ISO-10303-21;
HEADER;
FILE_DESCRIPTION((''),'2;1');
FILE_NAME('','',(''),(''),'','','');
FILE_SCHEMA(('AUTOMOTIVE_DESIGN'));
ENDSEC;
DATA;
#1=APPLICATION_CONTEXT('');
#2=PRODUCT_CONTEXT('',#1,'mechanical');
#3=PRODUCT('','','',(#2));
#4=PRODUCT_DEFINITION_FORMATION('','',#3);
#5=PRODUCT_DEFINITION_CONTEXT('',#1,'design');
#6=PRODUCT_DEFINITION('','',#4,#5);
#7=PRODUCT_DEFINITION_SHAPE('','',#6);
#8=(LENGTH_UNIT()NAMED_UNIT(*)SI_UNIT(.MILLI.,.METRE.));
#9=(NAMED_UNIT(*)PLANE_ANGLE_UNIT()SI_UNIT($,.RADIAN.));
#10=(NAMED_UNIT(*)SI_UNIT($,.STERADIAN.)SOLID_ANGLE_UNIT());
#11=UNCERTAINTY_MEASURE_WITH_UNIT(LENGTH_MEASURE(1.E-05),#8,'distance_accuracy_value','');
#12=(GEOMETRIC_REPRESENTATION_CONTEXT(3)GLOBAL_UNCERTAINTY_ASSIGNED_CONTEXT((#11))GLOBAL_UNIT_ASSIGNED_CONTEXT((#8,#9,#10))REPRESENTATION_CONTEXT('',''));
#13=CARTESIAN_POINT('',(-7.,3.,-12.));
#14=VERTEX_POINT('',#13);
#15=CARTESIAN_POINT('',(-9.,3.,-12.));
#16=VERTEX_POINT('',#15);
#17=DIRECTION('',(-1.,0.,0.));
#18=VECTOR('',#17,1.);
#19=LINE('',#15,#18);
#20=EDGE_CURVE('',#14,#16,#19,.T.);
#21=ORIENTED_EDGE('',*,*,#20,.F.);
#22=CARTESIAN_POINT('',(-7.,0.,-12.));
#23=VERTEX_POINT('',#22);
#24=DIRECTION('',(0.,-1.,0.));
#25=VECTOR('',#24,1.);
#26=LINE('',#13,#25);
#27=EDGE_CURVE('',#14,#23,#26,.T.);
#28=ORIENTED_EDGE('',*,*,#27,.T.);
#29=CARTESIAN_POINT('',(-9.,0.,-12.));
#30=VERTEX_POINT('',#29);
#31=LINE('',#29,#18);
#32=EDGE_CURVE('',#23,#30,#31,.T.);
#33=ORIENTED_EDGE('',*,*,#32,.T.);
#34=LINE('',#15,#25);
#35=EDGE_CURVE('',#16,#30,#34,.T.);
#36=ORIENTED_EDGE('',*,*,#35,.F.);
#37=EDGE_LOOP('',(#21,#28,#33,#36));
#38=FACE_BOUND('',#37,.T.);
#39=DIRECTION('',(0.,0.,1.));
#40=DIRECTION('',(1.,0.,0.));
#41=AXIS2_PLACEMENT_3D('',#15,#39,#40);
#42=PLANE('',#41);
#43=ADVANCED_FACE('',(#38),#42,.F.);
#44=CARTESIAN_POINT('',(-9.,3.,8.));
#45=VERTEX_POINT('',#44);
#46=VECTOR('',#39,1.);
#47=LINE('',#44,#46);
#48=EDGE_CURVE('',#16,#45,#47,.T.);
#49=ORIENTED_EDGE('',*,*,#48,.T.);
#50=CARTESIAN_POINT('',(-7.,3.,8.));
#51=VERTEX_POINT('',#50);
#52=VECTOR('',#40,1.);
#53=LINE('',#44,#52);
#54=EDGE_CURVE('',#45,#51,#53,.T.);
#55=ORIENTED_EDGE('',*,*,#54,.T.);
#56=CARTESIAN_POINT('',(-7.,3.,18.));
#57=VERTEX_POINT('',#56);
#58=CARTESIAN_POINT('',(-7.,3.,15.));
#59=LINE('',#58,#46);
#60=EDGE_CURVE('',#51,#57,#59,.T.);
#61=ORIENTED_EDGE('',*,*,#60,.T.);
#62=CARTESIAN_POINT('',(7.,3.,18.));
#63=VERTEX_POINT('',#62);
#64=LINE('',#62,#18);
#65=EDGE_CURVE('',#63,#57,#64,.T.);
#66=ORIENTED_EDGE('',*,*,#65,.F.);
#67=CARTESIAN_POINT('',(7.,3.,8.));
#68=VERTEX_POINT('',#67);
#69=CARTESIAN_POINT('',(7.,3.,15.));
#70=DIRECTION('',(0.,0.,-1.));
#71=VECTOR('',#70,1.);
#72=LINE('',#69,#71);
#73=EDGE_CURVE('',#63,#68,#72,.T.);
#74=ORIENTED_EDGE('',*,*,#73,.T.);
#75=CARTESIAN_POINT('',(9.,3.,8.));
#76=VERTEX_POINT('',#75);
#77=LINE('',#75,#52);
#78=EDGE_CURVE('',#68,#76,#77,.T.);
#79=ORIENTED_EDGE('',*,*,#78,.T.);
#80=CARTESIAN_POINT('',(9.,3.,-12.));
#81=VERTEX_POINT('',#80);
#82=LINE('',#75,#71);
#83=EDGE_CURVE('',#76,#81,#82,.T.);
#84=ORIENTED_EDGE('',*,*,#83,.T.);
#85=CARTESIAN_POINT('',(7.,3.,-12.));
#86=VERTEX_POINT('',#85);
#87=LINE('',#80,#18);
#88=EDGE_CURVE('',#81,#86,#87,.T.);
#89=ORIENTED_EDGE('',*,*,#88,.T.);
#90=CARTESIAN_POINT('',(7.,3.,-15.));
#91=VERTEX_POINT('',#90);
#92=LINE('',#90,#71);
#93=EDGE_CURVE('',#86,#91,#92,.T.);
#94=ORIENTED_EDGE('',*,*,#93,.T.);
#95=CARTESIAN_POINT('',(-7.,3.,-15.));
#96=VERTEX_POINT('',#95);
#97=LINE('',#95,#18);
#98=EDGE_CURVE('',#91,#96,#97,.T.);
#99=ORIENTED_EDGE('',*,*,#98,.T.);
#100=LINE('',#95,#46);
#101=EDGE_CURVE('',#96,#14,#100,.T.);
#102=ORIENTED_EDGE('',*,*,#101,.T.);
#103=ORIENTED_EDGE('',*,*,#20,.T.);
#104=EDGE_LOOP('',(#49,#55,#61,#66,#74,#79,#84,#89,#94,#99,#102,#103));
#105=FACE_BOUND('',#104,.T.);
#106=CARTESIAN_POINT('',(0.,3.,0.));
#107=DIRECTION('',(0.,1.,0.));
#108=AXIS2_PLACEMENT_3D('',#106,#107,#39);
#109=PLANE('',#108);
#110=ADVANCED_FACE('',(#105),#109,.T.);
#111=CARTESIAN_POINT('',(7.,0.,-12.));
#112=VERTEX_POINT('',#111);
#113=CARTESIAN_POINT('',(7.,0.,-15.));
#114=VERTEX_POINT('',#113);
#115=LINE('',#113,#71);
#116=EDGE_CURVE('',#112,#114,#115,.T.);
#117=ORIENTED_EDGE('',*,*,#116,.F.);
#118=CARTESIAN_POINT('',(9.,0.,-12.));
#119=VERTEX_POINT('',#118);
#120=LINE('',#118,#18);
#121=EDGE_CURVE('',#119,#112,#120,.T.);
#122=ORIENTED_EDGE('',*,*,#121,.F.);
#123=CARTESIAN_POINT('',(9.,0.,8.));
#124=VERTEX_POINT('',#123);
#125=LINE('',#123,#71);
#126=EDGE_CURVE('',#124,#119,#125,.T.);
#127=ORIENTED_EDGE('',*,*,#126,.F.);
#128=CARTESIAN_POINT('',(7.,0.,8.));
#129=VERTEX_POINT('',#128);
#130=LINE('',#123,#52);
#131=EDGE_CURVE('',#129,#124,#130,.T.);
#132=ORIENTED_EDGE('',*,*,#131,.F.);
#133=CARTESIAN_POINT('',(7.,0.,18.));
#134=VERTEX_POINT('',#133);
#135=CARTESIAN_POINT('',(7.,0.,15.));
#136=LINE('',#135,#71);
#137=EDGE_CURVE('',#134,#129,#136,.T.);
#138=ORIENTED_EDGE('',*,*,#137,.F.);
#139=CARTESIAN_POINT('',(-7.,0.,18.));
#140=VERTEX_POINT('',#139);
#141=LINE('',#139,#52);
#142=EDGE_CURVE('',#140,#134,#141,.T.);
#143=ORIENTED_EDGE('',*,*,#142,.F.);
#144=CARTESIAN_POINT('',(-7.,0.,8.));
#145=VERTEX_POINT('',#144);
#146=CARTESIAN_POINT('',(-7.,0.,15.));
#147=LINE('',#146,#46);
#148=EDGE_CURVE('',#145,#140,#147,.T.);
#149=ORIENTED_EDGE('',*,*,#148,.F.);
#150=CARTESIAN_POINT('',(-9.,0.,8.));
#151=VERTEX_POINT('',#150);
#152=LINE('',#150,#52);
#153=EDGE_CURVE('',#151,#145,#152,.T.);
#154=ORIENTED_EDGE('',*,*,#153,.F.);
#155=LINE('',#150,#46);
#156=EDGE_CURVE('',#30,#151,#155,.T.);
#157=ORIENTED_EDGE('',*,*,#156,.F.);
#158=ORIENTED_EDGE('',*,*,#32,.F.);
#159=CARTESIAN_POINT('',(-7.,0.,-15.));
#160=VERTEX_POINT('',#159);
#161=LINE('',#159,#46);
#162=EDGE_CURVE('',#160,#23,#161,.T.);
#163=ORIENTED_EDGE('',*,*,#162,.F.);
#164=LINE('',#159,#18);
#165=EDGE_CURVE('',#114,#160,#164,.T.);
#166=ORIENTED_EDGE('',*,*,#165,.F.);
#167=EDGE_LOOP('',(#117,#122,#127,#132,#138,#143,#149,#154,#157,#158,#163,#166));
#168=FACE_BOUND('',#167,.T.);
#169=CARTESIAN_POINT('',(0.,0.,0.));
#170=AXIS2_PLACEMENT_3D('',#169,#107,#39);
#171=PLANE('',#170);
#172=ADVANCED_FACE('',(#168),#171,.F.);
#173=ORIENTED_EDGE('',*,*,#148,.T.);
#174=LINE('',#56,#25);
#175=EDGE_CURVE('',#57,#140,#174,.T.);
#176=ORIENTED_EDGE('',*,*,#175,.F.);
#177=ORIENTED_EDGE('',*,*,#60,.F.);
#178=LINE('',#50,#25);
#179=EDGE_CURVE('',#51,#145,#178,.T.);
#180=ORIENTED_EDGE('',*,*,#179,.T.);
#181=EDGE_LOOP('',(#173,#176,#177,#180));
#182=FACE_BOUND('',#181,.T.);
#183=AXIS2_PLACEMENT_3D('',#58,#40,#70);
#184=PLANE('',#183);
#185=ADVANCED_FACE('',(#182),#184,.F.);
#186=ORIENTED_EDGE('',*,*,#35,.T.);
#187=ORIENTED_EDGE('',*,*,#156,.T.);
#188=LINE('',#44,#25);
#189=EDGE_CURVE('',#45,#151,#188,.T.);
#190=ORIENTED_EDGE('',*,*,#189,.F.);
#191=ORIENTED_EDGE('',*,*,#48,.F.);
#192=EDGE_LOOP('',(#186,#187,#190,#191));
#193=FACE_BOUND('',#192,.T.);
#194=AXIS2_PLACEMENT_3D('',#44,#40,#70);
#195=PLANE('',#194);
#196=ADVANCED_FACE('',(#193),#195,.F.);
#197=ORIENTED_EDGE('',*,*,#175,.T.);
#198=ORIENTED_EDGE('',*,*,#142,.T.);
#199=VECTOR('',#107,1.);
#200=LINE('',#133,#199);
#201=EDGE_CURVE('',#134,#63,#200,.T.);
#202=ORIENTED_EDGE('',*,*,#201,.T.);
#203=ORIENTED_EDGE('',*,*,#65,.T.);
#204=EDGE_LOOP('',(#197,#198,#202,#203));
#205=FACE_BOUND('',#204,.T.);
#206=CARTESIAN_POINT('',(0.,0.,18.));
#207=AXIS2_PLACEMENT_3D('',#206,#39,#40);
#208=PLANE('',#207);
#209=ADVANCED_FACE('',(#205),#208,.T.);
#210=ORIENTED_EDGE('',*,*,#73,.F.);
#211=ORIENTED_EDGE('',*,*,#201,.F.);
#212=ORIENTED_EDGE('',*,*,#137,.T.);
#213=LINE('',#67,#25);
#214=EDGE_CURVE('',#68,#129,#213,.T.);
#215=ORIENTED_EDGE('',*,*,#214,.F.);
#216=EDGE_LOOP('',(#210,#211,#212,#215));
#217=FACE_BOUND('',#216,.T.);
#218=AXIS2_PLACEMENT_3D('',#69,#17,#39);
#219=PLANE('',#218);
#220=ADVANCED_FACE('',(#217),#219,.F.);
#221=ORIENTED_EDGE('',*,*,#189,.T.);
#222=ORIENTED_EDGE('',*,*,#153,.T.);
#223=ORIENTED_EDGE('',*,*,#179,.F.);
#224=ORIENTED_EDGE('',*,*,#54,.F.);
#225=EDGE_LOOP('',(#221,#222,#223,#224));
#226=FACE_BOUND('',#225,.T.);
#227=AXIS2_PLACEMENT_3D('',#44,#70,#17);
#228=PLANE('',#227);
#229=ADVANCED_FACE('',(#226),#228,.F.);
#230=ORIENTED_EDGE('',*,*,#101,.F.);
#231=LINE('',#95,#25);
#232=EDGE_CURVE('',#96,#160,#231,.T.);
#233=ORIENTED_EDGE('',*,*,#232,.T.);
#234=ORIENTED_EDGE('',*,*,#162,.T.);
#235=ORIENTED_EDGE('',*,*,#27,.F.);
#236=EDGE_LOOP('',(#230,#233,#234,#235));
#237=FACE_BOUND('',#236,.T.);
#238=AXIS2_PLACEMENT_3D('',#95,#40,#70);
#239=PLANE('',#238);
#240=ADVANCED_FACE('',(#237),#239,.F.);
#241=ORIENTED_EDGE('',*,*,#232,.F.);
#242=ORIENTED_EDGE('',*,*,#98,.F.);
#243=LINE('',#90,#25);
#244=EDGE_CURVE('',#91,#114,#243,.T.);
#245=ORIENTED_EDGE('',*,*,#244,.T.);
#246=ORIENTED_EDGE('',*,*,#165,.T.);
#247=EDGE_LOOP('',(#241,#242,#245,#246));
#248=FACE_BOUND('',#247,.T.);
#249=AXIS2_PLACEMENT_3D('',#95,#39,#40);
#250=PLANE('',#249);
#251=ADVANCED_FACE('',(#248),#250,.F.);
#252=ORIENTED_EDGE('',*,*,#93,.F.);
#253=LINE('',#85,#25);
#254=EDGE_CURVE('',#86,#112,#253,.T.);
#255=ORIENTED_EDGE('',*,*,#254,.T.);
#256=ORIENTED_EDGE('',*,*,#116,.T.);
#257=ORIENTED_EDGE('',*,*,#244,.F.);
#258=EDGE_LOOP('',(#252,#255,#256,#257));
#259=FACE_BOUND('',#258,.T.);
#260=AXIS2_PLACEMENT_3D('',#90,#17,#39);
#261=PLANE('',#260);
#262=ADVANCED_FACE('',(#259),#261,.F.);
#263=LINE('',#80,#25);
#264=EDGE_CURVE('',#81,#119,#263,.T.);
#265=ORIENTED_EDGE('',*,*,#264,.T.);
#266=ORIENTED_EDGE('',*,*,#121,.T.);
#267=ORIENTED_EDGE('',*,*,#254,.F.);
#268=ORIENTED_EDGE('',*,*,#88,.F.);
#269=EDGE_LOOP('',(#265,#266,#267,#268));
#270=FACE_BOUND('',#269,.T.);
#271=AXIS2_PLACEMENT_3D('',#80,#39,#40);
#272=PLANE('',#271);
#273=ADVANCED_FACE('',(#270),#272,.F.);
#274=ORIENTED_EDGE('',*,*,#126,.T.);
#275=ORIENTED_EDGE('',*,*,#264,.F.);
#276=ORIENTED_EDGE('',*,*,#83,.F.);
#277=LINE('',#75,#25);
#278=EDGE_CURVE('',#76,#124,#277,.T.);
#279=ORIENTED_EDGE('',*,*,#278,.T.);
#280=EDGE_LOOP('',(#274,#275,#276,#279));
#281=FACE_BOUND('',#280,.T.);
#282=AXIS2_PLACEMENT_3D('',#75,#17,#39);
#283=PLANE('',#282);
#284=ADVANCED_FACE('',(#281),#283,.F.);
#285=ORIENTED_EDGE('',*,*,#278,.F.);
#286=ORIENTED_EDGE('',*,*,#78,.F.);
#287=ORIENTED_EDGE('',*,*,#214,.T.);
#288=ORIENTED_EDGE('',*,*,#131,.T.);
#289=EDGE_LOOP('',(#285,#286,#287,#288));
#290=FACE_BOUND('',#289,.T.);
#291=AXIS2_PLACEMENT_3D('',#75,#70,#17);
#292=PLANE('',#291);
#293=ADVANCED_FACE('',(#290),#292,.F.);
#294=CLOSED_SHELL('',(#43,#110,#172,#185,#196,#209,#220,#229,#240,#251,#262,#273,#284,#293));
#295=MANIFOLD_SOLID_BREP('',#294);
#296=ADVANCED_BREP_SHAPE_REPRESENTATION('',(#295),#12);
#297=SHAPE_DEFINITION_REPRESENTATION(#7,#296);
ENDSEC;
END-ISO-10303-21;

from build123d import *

# Parameters (mm, degrees)
EXTRUDE_1_DEPTH = 3
SKETCH_2_W      = 14
SKETCH_2_H      = 3
EXTRUDE_2_DEPTH = 3


with BuildPart() as part:
    # Эскиз1 → Бобышка-Вытянуть1 (new body)
    with BuildSketch(Plane(origin=(0, 0, 0), x_dir=(1, 0, 0), z_dir=(0, 1, 0))):
        Polygon((-7, -15), (7, -15), (7, -8), (9, -8), (9, 12), (7, 12), (7, 15), (-7, 15), (-7, 12), (-9, 12), (-9, -8), (-7, -8), align=None)
    extrude(amount=EXTRUDE_1_DEPTH)

    # Эскиз2 → Бобышка-Вытянуть2 (add)
    with BuildSketch(Plane.XY.offset(15)):
        with Locations((0, 1.5)):
            Rectangle(SKETCH_2_W, SKETCH_2_H)
    extrude(amount=EXTRUDE_2_DEPTH)


solid = part.part
